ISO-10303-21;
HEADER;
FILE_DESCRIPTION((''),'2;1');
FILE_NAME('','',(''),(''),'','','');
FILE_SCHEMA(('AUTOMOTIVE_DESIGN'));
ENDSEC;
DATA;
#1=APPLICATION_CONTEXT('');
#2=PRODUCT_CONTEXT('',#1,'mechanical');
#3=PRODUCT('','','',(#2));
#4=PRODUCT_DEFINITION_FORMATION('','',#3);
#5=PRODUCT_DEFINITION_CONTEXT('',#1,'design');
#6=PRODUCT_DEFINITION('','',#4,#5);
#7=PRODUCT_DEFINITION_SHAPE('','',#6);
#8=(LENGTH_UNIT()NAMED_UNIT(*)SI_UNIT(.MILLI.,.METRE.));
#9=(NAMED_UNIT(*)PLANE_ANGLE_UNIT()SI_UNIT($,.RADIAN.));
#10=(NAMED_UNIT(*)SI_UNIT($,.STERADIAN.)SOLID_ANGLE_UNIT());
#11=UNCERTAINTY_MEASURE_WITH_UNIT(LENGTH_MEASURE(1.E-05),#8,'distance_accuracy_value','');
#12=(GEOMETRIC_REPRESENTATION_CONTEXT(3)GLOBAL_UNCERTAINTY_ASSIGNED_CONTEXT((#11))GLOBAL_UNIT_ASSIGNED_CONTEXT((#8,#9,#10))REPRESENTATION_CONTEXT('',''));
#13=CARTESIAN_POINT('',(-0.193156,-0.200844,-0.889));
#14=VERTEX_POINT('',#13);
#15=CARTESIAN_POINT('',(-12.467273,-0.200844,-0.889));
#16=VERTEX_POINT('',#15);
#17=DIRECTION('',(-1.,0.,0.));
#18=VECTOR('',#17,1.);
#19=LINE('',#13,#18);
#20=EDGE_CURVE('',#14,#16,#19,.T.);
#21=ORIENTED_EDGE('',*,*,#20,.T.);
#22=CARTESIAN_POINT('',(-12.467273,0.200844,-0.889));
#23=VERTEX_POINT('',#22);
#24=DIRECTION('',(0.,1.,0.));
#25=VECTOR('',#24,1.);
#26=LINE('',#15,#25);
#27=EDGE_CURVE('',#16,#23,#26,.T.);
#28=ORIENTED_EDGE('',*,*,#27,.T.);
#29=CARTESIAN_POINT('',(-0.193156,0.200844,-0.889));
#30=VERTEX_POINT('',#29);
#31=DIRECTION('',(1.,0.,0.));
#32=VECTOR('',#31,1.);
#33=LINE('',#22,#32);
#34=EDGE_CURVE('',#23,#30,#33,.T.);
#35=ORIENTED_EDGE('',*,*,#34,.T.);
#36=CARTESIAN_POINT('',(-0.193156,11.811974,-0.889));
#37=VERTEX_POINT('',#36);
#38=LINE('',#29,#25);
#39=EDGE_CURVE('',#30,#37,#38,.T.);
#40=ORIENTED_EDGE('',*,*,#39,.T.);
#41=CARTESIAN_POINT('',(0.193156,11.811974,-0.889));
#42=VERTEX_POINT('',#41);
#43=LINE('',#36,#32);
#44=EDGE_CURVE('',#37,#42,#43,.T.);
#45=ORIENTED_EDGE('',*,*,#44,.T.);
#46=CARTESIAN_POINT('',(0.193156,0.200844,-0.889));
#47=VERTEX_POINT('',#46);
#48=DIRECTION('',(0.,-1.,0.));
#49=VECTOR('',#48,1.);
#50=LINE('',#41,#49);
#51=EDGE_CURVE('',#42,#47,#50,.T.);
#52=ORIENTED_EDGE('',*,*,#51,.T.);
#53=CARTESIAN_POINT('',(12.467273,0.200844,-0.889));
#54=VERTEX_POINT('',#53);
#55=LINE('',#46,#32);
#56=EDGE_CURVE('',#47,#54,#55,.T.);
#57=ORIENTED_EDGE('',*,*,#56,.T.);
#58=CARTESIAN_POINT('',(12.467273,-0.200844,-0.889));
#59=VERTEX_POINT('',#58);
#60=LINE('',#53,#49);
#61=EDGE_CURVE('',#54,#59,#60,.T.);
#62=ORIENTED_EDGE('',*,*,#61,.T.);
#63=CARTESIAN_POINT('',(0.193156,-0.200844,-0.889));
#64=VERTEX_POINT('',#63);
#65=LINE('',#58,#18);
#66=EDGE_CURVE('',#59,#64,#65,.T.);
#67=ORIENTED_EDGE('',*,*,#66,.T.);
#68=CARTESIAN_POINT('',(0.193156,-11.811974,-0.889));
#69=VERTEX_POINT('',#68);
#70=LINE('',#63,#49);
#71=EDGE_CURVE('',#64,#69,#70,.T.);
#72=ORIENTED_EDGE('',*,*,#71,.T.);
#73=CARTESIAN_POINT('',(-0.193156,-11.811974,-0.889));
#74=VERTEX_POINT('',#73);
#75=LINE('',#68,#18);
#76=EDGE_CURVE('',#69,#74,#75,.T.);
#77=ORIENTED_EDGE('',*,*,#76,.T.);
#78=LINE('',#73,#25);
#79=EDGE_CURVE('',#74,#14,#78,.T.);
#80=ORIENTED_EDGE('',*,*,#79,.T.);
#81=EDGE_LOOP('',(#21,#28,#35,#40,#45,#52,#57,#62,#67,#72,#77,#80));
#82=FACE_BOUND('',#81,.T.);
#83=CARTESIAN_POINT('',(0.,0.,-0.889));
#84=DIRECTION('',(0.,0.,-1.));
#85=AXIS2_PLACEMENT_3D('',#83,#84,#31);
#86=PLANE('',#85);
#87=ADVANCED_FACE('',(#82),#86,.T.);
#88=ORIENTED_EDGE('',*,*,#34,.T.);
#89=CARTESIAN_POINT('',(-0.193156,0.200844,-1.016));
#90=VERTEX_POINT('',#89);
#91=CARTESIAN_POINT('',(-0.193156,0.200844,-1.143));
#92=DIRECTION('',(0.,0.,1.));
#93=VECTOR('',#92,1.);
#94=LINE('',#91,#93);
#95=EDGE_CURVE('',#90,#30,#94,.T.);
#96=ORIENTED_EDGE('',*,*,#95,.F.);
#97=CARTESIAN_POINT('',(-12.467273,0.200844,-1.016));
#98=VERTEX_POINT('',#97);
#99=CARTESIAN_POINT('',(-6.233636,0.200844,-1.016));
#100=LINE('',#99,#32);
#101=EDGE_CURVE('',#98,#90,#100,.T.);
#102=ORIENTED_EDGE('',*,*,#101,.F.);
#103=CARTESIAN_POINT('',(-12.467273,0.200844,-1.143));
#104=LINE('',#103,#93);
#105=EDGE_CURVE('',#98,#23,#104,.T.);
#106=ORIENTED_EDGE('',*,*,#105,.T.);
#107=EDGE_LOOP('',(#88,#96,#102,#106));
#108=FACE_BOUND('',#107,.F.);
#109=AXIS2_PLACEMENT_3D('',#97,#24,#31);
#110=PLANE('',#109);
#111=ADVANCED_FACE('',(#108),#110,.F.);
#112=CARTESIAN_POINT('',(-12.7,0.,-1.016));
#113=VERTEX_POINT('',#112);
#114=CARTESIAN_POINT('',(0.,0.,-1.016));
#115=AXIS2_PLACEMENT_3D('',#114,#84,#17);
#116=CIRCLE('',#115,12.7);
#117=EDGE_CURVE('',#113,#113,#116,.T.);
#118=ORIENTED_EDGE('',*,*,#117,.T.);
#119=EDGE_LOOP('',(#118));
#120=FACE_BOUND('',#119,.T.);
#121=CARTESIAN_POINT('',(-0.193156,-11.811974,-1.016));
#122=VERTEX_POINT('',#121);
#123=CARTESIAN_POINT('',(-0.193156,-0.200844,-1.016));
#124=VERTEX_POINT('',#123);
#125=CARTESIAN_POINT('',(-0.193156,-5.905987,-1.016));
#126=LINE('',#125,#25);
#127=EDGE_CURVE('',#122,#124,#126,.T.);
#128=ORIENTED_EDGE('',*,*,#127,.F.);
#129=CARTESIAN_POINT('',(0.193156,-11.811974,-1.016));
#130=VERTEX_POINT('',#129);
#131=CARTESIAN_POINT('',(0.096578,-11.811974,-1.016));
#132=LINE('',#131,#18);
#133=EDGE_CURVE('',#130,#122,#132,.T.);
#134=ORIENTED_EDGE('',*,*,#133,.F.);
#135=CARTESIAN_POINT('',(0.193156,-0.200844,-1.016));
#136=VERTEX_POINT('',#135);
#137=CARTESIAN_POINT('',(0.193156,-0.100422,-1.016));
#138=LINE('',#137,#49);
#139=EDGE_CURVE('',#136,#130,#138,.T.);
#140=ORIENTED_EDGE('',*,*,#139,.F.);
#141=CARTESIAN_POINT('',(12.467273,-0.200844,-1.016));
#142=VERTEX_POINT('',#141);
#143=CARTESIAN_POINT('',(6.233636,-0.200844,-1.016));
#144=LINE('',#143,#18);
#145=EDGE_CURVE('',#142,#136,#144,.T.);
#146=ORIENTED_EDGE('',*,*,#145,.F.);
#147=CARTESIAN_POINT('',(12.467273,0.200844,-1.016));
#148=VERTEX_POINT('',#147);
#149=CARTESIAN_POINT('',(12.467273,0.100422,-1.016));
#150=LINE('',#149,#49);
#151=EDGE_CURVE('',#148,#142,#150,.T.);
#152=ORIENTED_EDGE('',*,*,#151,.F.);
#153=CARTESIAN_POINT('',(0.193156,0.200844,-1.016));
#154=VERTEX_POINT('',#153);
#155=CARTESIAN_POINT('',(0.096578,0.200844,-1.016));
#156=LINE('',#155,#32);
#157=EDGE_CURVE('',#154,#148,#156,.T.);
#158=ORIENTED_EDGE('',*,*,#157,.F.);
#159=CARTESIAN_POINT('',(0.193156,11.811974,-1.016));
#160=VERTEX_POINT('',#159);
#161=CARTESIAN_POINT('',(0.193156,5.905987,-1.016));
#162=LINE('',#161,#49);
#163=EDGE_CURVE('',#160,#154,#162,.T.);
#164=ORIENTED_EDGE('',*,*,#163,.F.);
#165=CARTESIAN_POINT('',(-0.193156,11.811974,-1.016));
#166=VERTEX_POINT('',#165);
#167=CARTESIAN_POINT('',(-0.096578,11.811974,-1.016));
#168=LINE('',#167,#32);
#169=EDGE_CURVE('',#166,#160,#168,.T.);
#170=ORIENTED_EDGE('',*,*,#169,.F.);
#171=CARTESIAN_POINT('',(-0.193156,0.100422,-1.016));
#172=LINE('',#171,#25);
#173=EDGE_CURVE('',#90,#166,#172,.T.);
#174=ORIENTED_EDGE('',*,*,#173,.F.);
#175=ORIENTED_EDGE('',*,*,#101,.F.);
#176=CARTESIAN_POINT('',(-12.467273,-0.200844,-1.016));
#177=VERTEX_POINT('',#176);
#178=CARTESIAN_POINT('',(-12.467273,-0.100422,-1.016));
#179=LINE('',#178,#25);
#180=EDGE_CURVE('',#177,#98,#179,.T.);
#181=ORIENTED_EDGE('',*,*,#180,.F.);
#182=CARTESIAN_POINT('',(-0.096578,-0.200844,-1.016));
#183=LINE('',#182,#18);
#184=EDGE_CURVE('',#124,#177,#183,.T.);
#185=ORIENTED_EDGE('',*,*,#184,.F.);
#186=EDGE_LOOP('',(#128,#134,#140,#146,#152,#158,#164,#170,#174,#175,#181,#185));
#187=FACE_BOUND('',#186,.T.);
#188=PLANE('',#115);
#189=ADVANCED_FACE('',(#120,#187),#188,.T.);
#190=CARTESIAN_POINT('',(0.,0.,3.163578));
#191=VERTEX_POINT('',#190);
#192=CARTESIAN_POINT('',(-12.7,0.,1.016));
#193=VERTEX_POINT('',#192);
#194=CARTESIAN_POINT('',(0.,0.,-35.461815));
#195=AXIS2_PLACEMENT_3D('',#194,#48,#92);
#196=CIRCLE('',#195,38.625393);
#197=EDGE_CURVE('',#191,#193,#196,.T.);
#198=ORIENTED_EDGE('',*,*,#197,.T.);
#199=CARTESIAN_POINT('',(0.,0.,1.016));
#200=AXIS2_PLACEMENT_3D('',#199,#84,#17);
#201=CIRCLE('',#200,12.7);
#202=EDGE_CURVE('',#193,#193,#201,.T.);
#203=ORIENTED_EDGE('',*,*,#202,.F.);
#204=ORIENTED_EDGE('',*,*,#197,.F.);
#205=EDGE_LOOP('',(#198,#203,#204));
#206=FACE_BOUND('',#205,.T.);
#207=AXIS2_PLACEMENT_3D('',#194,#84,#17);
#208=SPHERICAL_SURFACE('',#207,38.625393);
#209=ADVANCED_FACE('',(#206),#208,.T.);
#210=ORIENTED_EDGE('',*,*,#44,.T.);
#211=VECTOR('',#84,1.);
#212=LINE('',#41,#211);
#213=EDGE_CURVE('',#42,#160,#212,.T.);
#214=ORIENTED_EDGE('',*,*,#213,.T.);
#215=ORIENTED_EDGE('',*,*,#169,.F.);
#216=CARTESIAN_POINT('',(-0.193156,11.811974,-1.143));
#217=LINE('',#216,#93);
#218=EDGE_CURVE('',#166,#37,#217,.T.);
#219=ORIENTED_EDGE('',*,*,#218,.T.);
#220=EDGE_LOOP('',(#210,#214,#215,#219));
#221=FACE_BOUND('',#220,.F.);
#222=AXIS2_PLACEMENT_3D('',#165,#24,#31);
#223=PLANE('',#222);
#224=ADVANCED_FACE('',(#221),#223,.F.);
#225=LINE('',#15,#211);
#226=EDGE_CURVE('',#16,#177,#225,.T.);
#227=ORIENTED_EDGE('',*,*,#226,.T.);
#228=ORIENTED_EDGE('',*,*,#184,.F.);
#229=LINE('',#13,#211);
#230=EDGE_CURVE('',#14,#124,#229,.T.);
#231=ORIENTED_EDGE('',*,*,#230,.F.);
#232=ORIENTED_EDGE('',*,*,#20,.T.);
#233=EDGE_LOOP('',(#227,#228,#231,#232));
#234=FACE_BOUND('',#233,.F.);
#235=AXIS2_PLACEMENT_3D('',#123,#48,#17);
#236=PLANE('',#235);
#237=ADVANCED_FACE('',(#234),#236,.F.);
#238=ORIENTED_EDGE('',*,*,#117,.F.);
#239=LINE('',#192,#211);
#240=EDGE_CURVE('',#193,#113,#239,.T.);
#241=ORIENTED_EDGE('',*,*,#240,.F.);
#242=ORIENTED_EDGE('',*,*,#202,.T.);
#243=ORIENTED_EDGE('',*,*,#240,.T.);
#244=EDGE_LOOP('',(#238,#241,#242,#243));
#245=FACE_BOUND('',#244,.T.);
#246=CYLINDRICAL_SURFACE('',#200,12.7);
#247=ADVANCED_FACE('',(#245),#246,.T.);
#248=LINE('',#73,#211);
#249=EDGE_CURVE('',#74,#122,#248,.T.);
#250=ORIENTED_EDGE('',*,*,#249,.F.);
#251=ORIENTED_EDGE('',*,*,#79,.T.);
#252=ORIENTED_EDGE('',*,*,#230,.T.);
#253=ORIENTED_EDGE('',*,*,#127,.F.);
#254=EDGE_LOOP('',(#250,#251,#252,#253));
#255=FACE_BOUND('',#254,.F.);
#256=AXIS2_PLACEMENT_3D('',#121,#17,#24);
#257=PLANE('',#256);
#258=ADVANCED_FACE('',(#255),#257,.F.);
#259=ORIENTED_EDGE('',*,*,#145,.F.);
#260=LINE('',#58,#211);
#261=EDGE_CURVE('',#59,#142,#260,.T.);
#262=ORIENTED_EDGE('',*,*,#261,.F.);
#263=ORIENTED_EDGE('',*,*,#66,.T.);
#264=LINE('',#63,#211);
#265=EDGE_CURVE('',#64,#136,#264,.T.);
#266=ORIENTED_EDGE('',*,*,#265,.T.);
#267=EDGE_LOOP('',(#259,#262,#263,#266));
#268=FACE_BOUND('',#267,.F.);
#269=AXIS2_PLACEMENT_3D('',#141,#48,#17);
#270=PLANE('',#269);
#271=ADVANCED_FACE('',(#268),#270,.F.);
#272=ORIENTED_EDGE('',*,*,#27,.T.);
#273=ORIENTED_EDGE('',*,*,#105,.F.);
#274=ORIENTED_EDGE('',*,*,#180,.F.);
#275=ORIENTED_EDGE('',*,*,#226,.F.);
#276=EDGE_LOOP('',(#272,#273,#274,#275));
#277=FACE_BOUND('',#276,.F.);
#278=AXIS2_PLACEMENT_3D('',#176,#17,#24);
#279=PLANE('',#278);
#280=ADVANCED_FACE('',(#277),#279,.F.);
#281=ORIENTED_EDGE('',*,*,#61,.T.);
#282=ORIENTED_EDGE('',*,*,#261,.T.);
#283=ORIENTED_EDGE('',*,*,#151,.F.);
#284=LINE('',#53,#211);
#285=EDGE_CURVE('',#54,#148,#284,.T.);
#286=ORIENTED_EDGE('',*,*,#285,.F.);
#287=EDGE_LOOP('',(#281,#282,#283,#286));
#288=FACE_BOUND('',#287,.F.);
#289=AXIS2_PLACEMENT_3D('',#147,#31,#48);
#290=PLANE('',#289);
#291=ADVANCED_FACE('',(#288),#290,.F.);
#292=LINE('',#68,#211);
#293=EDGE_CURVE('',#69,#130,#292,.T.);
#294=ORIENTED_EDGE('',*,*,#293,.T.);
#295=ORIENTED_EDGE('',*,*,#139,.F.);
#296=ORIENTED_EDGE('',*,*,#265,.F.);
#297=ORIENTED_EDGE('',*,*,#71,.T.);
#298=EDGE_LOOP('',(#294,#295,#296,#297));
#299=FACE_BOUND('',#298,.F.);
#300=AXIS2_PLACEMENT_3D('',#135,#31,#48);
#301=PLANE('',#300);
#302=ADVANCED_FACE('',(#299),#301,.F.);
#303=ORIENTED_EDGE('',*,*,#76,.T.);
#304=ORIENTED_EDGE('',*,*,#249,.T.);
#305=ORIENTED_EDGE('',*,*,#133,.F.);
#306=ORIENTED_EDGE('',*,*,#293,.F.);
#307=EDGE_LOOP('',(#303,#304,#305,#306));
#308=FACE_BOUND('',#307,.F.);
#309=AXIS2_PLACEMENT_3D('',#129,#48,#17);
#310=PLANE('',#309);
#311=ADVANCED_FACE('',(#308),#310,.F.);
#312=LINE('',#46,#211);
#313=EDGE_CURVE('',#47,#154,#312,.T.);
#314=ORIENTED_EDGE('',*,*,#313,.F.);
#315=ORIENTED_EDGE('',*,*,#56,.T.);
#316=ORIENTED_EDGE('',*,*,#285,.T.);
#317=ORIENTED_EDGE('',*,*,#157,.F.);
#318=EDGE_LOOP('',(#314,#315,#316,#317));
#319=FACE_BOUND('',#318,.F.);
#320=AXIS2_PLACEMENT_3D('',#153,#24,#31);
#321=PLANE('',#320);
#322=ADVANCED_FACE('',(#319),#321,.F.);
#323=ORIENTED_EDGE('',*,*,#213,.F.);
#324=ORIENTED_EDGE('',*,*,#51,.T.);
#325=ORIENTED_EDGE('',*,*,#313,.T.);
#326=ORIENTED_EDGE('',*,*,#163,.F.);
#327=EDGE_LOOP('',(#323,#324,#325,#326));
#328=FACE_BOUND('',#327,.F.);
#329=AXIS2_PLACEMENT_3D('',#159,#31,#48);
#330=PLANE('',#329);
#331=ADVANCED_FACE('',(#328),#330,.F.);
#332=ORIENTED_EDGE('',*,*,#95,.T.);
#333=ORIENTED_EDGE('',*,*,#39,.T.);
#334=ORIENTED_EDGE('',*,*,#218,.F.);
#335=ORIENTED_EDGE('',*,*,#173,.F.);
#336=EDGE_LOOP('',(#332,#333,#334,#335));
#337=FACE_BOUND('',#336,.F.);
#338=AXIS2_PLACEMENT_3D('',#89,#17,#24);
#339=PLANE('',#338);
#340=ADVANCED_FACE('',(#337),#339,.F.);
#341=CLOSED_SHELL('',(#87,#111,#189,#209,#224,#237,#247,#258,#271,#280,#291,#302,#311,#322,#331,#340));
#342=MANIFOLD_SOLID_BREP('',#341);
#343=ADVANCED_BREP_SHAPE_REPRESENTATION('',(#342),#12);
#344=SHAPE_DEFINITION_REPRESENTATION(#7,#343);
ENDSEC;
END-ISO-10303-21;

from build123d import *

# Parameters (mm, degrees)
F3_DEPTH = 0.127


with BuildPart() as f1:
    # F0 (on Front) → F1 (revolve)
    with BuildSketch(Plane.XZ):
        with BuildLine():
            Line((-12.7, 1.016), (-12.7, -1.016))
            Line((-12.7, -1.016), (0, -1.016))
            Line((0, -1.016), (0, 3.1635780177))
            ThreePointArc((0, 3.1635780177), (-6.4401492867, 2.6228992997), (-12.7, 1.016))
        make_face()
    revolve(axis=Axis((0, 0, 1.0737890089), (0, 0, -1)))

    # F2 (on face) → F3 (cut, symmetric)
    with BuildSketch(Plane(origin=(0, 0, -1.016), x_dir=(1, 0, 0), z_dir=(0, 0, -1))):
        Polygon((-0.1931561856, -11.8119744584), (0.1931561856, -11.8119744584), (0.1931561856, -0.2008439769), (12.4672725797, -0.2008439769), (12.4672725797, 0.2008439769), (0.1931561856, 0.2008439769), (0.1931561856, 11.8119744584), (-0.1931561856, 11.8119744584), (-0.1931561856, 0.2008439769), (-12.4672725797, 0.2008439769), (-12.4672725797, -0.2008439769), (-0.1931561856, -0.2008439769), align=None)
    extrude(amount=F3_DEPTH, both=True, mode=Mode.SUBTRACT)


solid = f1.part
